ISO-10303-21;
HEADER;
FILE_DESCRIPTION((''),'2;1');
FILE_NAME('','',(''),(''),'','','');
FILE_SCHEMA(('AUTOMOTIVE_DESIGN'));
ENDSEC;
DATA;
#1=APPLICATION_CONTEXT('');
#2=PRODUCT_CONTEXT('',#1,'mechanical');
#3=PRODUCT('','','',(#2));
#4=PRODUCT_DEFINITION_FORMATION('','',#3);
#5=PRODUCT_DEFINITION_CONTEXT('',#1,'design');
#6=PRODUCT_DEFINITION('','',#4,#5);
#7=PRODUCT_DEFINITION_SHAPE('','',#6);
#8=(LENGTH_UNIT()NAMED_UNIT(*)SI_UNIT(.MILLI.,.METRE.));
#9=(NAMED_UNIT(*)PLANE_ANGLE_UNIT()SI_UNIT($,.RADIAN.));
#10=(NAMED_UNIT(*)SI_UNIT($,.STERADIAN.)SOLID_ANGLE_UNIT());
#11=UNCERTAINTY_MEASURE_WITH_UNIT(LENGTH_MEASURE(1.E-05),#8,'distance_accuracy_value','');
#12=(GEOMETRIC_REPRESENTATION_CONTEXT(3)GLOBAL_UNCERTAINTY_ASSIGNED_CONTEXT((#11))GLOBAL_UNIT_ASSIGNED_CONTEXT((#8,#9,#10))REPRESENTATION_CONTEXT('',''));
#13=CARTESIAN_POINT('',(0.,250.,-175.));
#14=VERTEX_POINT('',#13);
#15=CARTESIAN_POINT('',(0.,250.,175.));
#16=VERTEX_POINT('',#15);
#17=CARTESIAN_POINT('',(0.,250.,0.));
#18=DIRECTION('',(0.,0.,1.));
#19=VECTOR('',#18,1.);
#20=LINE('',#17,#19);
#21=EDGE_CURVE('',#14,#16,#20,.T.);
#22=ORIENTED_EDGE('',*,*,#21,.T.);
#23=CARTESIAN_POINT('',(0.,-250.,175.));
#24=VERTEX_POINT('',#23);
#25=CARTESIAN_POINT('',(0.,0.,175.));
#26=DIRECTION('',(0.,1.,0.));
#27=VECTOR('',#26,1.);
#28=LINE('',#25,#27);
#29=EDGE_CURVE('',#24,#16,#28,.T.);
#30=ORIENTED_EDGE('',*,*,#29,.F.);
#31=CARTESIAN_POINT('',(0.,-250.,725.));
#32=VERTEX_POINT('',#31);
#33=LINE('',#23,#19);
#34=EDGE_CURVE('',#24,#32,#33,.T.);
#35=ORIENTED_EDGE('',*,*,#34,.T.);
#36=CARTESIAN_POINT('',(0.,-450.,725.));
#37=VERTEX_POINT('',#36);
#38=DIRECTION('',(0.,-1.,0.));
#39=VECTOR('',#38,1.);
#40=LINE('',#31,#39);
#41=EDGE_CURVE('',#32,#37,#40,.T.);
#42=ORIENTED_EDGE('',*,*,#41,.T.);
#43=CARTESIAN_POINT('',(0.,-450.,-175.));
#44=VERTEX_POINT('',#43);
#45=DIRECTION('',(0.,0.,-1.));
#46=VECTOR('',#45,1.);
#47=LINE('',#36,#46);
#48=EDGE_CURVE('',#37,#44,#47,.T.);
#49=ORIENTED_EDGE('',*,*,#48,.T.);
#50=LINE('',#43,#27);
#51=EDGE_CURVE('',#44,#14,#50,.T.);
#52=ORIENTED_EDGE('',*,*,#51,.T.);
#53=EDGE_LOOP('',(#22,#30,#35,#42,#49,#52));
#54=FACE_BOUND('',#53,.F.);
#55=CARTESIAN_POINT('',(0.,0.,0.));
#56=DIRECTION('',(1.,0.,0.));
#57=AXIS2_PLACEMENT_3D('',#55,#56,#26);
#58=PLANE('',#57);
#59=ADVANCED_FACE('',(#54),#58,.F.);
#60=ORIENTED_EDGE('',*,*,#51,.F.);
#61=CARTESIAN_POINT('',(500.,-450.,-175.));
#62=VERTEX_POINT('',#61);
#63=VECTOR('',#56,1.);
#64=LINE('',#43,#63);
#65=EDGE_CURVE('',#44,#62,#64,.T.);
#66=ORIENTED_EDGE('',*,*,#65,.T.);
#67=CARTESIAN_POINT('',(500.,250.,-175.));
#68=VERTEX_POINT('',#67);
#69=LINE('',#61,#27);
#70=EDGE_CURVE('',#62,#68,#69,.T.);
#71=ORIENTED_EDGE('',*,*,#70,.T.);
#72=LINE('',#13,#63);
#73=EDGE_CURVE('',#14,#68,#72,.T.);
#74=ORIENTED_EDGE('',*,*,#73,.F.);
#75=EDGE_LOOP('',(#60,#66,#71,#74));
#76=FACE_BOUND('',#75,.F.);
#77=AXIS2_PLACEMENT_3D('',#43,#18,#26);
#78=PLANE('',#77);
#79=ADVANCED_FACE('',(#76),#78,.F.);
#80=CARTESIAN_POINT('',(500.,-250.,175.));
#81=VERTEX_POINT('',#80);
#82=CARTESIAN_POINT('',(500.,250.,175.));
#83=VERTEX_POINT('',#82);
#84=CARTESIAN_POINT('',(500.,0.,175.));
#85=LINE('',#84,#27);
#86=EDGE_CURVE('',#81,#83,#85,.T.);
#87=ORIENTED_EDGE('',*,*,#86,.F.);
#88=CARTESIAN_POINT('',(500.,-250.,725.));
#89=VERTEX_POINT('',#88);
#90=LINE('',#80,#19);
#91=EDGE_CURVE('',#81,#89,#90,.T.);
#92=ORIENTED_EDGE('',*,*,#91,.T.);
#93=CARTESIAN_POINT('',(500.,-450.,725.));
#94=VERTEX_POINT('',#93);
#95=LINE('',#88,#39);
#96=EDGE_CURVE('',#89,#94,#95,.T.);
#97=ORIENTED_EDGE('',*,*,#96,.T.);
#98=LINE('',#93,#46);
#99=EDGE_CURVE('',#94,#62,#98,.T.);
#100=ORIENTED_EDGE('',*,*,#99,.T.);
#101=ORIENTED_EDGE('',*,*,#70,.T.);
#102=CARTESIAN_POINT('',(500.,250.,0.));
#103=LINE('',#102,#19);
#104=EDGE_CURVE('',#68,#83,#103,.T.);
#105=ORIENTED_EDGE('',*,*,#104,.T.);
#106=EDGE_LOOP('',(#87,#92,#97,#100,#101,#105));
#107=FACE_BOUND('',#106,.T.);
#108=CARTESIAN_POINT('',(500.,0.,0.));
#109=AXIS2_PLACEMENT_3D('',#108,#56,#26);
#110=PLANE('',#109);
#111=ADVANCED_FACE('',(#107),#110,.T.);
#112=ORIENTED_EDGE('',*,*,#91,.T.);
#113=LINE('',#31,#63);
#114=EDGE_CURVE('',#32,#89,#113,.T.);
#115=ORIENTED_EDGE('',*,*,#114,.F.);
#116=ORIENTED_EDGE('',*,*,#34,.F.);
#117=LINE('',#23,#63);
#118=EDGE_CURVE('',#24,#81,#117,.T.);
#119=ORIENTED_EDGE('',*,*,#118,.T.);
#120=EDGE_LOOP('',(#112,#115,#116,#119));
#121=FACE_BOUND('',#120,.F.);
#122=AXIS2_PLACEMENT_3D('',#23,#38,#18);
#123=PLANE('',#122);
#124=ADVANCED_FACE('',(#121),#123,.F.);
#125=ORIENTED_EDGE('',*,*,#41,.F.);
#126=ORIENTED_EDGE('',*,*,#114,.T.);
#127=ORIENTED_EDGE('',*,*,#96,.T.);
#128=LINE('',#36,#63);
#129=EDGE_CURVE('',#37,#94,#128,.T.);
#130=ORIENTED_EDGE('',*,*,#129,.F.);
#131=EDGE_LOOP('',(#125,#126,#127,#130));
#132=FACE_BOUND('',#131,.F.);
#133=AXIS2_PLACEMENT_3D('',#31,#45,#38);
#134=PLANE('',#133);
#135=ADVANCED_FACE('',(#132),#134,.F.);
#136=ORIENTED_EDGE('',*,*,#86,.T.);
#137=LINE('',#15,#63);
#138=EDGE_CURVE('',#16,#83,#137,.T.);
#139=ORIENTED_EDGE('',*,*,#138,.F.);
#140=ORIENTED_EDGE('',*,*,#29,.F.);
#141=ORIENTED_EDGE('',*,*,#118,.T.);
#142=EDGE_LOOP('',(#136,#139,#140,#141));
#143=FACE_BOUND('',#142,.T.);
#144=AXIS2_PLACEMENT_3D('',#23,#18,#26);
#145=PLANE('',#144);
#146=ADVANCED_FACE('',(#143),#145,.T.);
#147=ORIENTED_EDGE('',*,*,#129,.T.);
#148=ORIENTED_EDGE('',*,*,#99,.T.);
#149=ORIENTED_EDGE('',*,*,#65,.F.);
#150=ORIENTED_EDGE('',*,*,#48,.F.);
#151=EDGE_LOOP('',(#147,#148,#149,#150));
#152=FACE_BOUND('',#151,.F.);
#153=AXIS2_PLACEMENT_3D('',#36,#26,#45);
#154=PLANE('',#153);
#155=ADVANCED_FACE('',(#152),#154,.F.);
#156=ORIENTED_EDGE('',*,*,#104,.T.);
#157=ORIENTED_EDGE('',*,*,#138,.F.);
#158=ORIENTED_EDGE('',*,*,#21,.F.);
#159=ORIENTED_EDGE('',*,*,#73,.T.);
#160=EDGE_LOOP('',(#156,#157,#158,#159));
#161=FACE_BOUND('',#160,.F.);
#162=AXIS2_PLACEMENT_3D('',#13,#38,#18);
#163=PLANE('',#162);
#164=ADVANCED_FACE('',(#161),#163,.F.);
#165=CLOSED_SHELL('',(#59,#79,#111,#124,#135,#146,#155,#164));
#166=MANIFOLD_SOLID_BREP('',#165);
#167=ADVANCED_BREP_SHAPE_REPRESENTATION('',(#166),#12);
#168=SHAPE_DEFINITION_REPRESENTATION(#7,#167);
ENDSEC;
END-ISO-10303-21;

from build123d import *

# Parameters (mm, degrees)
F0_W     = 500
F0_H     = 350
F1_DEPTH = 500


with BuildPart() as f1:
    # F0 (on Right) → F1 (new body)
    with BuildSketch(Plane.YZ):
        Rectangle(F0_W, F0_H)
        Polygon((-450, -175), (-250, -175), (-250, 175), (-250, 725), (-450, 725), align=None)
    extrude(amount=F1_DEPTH)


solid = f1.part
